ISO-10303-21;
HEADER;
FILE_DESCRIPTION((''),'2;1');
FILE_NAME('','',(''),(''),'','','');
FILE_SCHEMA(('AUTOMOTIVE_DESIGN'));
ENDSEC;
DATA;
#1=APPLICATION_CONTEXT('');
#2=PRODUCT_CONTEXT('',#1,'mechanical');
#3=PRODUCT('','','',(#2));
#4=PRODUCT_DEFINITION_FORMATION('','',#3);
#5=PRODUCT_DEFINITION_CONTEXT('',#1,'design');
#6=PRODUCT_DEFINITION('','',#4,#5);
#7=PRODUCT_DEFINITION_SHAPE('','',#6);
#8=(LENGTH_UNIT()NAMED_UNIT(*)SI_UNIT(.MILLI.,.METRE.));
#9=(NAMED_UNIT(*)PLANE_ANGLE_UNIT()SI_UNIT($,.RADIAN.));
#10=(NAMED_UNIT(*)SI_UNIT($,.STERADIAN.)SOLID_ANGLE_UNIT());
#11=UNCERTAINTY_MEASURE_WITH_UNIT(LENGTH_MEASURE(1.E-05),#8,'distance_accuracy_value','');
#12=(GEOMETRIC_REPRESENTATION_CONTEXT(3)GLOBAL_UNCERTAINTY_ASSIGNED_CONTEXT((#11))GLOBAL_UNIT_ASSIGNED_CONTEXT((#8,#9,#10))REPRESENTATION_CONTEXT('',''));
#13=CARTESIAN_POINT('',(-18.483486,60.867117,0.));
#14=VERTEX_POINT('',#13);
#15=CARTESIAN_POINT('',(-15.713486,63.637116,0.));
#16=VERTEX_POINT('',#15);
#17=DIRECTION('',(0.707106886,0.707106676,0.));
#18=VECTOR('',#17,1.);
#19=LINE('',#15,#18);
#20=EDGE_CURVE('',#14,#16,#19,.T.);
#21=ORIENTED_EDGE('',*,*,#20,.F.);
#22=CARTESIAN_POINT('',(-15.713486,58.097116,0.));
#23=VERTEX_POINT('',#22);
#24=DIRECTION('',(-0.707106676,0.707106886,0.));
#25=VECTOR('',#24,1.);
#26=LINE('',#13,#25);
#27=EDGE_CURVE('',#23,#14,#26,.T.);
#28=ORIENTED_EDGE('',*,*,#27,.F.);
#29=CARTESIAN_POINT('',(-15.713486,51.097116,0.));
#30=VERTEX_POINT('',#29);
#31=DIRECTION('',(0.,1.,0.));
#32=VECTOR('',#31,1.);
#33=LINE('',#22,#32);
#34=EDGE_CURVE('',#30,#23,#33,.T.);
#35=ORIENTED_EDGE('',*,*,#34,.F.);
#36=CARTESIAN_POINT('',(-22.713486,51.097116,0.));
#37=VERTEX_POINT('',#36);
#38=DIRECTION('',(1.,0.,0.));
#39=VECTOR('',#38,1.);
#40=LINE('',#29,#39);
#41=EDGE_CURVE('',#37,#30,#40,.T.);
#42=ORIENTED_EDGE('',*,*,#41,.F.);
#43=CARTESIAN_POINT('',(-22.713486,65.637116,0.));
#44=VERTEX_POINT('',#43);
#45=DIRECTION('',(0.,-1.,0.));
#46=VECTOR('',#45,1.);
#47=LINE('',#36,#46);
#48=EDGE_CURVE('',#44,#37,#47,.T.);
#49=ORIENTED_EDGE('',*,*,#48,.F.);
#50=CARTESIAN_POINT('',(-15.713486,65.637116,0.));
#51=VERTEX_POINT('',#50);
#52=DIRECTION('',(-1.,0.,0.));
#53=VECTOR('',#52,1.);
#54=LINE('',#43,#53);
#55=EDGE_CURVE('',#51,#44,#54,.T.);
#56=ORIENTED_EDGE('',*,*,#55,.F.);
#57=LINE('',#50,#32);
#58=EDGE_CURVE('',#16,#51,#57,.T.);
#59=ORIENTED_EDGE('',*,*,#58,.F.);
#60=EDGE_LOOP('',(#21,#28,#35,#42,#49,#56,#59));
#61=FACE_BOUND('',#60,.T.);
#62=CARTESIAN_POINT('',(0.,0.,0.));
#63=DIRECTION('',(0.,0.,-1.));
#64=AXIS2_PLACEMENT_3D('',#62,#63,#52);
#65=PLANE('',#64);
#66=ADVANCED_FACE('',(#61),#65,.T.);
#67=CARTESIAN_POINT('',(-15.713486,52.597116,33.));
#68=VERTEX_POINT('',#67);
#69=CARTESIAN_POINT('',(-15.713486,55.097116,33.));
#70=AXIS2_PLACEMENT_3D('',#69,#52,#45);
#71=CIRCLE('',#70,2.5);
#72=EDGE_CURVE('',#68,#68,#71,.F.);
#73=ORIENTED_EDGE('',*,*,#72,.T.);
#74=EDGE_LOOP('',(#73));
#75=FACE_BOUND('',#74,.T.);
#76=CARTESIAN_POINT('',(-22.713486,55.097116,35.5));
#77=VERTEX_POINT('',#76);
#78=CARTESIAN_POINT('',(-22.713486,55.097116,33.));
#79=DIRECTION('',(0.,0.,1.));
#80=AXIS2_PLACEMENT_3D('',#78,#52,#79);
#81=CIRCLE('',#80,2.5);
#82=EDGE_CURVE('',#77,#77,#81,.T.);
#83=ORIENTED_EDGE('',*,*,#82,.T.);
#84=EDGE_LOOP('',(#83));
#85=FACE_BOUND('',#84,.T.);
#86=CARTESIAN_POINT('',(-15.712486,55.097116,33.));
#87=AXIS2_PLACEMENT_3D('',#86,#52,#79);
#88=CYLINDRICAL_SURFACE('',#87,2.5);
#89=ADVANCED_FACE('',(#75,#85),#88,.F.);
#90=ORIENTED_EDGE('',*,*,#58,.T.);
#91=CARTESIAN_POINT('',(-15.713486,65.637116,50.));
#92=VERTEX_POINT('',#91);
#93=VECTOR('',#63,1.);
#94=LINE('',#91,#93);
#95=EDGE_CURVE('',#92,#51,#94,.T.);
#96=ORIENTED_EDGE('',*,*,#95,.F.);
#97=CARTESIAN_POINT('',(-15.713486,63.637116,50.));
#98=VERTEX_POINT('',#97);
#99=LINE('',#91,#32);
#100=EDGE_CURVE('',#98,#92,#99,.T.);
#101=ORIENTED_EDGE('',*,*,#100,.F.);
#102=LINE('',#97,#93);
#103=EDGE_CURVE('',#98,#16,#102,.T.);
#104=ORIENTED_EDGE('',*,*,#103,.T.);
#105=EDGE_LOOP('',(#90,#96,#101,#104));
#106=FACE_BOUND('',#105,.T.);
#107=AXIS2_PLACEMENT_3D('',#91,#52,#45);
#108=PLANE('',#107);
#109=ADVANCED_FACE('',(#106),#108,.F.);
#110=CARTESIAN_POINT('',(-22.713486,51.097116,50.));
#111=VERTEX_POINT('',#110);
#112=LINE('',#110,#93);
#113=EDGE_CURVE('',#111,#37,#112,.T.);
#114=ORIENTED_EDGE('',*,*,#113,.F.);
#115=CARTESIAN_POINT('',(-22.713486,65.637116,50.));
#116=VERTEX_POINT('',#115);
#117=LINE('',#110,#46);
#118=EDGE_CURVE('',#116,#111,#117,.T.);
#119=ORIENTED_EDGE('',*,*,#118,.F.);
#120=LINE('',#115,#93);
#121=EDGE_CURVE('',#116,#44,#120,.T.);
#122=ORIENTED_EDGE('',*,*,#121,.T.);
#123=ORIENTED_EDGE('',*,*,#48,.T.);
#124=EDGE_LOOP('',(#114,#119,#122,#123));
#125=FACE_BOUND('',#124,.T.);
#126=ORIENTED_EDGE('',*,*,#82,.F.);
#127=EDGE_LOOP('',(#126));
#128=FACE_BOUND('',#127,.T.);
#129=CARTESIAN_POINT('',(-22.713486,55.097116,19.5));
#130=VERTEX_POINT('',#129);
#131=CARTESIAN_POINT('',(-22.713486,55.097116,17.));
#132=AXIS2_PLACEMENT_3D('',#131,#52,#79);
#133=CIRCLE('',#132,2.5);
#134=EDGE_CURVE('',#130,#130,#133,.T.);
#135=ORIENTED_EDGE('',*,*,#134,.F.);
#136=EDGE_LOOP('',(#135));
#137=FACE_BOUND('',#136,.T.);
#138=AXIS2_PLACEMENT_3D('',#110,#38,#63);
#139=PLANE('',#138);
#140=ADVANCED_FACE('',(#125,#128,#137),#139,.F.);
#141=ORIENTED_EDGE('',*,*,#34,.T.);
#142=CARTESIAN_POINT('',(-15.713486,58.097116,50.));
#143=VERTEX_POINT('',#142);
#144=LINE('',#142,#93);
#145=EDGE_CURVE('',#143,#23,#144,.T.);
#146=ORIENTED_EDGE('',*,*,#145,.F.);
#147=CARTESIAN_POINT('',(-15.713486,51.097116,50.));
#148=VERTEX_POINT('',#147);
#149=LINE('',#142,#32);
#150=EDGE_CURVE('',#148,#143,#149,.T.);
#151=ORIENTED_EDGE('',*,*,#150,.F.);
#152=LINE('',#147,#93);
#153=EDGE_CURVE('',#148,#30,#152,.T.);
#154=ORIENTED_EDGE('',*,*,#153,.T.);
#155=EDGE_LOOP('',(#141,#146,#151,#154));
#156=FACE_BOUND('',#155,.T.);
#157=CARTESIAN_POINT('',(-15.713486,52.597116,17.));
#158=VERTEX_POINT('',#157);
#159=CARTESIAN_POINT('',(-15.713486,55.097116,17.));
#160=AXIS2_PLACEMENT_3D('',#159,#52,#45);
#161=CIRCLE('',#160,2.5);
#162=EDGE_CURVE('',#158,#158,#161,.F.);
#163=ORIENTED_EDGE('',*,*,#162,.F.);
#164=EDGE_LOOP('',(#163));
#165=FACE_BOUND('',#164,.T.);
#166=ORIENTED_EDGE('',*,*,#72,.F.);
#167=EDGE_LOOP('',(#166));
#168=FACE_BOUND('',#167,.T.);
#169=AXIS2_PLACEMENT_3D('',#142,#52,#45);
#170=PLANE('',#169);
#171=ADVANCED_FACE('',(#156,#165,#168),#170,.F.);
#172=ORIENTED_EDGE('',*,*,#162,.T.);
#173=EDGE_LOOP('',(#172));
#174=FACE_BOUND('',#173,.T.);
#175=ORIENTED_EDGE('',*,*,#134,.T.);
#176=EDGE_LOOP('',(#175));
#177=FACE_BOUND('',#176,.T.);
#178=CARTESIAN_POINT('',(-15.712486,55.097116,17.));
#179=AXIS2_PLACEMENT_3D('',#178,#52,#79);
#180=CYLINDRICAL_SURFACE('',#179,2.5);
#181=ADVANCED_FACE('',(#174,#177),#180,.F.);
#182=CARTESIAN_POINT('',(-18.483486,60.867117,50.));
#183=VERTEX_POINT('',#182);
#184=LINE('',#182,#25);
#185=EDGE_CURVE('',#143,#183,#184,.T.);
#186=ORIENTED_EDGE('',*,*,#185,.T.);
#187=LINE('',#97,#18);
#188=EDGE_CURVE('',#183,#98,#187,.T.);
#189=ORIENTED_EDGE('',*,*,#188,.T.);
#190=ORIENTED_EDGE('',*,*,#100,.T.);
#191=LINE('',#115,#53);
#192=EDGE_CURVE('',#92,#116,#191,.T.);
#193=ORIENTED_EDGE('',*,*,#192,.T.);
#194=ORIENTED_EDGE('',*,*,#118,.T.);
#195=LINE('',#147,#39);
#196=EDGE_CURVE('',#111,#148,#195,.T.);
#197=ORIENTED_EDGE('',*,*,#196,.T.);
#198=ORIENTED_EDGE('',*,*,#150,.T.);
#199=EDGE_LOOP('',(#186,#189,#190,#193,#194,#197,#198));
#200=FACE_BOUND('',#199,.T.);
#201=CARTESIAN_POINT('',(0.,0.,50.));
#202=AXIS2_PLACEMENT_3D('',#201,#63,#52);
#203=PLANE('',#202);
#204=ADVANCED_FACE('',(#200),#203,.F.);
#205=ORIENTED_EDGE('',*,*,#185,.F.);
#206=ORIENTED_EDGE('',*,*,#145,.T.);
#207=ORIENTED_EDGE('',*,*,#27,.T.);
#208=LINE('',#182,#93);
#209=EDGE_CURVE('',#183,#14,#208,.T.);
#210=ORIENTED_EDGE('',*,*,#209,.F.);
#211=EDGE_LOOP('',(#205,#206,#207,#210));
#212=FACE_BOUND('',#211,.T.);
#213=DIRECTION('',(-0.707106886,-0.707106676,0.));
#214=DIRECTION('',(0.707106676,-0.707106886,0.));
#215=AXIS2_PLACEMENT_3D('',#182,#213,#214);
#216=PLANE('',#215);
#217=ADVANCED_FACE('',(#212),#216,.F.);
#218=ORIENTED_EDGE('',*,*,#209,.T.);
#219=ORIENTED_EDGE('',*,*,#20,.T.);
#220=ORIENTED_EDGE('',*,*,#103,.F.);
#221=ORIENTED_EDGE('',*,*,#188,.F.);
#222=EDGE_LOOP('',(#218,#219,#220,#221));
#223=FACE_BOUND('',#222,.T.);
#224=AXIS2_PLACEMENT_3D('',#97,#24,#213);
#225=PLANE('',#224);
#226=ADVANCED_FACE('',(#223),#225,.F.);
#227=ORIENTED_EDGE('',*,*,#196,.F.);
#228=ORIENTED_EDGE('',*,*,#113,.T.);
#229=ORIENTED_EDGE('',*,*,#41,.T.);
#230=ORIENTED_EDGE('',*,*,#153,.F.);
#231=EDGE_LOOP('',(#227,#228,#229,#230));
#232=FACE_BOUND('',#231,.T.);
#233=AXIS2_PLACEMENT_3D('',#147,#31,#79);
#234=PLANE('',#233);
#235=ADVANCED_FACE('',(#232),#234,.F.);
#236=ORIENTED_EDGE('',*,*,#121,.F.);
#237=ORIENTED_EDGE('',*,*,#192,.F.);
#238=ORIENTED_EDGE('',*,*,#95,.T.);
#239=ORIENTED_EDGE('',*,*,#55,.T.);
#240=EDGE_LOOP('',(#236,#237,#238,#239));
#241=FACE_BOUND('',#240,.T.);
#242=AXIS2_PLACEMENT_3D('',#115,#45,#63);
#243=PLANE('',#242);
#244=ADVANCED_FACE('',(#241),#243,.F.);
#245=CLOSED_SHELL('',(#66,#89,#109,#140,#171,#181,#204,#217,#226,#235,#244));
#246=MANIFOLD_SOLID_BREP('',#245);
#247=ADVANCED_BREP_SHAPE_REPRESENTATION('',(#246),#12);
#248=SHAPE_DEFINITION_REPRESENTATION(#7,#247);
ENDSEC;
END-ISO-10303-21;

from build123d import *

# Parameters (mm, degrees)
BOSS_EXTRUDE1_DEPTH = 50
CUT_EXTRUDE1_REACH  = 9
SKETCH3_R           = 2.5


with BuildPart() as part:
    # Sketch2 → Boss-Extrude1 (new body)
    with BuildSketch(Plane.XY):
        Polygon((-15.713485752, 63.637116303), (-18.483485752, 60.867117128), (-15.713485752, 58.097116303), (-15.713485752, 51.097116303), (-22.713485752, 51.097116303), (-22.713485752, 65.637116303), (-15.713485752, 65.637116303), align=None)
    extrude(amount=BOSS_EXTRUDE1_DEPTH)

    # Sketch3 → Cut-Extrude1 (cut, up to next)
    with BuildSketch(Plane.ZY.offset(22.713485752), mode=Mode.PRIVATE) as cut_extrude1_sk1:
        with Locations((17, 55.097116303)):
            Circle(SKETCH3_R)
    cut_extrude1_tool1 = extrude(cut_extrude1_sk1.sketch, amount=-CUT_EXTRUDE1_REACH, mode=Mode.PRIVATE) & part.part
    add(cut_extrude1_tool1.solids().sort_by_distance((-22.713486, 55.097116, 17))[0], mode=Mode.SUBTRACT)
    # Sketch3 → Cut-Extrude1 (cut, up to next)
    with BuildSketch(Plane.ZY.offset(22.713485752), mode=Mode.PRIVATE) as cut_extrude1_sk2:
        with Locations((33, 55.097116303)):
            Circle(SKETCH3_R)
    cut_extrude1_tool2 = extrude(cut_extrude1_sk2.sketch, amount=-CUT_EXTRUDE1_REACH, mode=Mode.PRIVATE) & part.part
    add(cut_extrude1_tool2.solids().sort_by_distance((-22.713486, 55.097116, 33))[0], mode=Mode.SUBTRACT)


solid = part.part
